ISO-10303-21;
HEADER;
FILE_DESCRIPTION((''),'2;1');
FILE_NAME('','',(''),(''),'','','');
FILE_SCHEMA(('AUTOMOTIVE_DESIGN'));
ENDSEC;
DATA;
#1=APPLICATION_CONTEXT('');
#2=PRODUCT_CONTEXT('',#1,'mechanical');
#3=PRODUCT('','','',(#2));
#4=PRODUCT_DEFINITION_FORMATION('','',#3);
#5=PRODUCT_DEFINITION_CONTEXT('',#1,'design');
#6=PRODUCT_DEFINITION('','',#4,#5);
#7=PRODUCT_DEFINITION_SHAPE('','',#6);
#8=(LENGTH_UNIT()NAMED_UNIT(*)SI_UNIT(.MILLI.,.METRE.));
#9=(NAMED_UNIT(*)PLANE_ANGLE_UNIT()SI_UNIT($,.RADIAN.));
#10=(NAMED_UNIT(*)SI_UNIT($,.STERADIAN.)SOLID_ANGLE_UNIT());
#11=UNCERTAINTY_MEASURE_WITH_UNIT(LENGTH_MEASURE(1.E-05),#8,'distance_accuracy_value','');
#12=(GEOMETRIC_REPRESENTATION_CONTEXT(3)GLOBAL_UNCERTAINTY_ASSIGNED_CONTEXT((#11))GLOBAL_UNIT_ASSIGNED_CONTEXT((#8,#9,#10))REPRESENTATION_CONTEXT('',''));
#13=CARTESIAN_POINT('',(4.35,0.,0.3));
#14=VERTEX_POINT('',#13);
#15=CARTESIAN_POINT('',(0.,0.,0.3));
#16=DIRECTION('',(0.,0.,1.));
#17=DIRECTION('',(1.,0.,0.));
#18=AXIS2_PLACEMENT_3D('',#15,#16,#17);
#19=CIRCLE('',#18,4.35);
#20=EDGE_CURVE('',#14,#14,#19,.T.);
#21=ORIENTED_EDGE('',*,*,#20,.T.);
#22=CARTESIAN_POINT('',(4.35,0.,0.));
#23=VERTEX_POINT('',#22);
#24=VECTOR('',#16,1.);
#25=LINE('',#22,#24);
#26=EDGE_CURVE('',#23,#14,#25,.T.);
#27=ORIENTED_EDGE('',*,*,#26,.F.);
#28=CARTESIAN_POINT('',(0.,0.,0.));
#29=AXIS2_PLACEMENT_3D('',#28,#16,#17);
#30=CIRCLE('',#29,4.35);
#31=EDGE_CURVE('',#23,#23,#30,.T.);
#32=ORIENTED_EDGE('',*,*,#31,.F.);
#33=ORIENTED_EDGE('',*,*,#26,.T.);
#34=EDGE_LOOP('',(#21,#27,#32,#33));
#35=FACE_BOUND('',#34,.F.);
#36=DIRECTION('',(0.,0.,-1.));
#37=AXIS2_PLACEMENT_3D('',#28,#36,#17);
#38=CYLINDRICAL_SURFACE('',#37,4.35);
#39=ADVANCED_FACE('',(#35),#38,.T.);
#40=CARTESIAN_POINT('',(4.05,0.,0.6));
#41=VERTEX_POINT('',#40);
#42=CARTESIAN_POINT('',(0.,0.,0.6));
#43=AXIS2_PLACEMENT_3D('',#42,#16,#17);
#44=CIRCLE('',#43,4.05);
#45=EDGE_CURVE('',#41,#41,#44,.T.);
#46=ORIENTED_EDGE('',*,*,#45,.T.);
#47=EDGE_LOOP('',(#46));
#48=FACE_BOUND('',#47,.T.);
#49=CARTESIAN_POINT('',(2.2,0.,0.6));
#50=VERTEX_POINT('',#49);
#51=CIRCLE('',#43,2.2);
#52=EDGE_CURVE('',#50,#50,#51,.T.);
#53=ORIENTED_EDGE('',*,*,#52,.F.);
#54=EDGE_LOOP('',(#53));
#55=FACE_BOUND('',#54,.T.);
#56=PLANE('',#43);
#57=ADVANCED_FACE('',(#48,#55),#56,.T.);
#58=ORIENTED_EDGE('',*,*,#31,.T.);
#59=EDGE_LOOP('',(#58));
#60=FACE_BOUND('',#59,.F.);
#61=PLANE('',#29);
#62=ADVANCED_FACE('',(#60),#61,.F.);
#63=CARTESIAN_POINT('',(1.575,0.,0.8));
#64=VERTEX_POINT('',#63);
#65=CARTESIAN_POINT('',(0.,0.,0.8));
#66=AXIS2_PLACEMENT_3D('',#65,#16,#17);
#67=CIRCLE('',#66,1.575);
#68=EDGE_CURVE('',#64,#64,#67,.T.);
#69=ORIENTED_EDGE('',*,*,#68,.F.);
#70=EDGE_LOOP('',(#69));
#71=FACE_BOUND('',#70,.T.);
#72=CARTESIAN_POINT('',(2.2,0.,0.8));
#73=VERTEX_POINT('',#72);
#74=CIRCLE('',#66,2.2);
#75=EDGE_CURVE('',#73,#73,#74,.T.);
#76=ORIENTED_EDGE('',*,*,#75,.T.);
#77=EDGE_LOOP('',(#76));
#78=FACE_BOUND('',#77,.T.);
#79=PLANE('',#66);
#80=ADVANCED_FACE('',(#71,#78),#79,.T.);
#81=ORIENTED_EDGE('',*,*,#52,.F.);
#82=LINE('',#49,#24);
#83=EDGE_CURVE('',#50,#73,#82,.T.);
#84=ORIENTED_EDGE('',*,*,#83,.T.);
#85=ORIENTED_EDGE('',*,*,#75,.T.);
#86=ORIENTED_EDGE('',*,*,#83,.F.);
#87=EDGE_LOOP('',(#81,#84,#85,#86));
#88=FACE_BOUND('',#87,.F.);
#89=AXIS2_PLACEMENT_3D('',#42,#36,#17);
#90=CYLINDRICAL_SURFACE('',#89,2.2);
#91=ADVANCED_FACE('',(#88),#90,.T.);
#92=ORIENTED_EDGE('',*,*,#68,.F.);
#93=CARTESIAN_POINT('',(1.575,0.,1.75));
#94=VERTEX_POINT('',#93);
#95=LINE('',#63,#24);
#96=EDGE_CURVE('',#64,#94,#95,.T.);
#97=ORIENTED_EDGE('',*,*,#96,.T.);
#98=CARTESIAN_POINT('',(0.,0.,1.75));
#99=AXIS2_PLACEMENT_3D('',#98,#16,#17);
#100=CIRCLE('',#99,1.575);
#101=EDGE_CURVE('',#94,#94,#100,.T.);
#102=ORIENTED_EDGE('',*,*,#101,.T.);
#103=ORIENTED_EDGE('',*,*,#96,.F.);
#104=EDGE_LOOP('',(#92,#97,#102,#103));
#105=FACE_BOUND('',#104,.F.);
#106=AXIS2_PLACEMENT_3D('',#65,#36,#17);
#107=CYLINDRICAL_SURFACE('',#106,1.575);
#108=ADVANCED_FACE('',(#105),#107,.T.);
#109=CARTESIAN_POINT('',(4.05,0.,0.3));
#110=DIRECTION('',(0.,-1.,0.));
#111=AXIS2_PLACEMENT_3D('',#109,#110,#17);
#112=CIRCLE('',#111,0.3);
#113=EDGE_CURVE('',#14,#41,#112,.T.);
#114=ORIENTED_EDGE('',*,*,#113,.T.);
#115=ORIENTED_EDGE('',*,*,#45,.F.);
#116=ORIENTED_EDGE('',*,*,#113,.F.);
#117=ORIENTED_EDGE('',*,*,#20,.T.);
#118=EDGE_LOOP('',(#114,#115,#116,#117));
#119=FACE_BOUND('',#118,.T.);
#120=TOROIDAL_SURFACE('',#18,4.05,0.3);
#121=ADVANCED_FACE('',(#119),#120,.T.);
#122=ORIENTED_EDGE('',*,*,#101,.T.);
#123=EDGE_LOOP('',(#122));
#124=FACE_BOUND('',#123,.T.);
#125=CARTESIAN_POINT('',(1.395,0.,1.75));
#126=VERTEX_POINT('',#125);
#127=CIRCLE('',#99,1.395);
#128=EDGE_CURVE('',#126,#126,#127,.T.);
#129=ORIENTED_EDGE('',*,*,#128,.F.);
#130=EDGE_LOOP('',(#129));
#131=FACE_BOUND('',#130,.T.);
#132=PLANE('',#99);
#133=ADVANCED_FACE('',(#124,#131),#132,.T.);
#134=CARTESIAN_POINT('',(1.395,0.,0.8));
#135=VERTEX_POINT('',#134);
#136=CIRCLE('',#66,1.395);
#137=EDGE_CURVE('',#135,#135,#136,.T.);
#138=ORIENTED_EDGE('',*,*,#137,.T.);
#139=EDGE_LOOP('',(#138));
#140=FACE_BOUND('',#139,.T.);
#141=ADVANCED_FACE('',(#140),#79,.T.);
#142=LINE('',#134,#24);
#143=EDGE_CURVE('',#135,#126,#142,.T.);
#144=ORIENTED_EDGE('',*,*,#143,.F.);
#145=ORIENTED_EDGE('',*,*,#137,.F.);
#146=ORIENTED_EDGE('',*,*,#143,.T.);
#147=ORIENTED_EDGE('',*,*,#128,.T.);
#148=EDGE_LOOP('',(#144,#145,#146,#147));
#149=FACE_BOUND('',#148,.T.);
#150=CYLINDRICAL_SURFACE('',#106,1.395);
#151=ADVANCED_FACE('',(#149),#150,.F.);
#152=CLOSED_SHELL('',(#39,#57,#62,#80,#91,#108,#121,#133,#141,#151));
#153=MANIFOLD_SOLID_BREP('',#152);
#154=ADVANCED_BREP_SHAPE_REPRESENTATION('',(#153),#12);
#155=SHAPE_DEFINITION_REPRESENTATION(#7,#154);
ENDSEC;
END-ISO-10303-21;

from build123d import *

# Parameters (mm, degrees)
F0_R     = 4.35
F1_DEPTH = 0.6
F2_R     = 2.2
F3_DEPTH = 0.2
F4_R     = 1.575
F4_R_2   = 1.395
F5_DEPTH = 0.95
F6_R     = 0.3


with BuildPart() as f1:
    # F0 (on Top) → F1 (new body)
    with BuildSketch(Plane.XY):
        Circle(F0_R)
    extrude(amount=F1_DEPTH)

    # F2 (on face) → F3 (join)
    with BuildSketch(Plane.XY.offset(0.6)):
        Circle(F2_R)
    extrude(amount=F3_DEPTH)

    # F4 (on face) → F5 (join)
    with BuildSketch(Plane.XY.offset(0.8)):
        Circle(F4_R)
        Circle(F4_R_2, mode=Mode.SUBTRACT)
    extrude(amount=F5_DEPTH)

    # F6
    f6_edges = [f1.edges().sort_by_distance(p)[0] for p in [
        (-4.35, 0, 0.6),
    ]]
    fillet(f6_edges, radius=F6_R)


solid = f1.part
